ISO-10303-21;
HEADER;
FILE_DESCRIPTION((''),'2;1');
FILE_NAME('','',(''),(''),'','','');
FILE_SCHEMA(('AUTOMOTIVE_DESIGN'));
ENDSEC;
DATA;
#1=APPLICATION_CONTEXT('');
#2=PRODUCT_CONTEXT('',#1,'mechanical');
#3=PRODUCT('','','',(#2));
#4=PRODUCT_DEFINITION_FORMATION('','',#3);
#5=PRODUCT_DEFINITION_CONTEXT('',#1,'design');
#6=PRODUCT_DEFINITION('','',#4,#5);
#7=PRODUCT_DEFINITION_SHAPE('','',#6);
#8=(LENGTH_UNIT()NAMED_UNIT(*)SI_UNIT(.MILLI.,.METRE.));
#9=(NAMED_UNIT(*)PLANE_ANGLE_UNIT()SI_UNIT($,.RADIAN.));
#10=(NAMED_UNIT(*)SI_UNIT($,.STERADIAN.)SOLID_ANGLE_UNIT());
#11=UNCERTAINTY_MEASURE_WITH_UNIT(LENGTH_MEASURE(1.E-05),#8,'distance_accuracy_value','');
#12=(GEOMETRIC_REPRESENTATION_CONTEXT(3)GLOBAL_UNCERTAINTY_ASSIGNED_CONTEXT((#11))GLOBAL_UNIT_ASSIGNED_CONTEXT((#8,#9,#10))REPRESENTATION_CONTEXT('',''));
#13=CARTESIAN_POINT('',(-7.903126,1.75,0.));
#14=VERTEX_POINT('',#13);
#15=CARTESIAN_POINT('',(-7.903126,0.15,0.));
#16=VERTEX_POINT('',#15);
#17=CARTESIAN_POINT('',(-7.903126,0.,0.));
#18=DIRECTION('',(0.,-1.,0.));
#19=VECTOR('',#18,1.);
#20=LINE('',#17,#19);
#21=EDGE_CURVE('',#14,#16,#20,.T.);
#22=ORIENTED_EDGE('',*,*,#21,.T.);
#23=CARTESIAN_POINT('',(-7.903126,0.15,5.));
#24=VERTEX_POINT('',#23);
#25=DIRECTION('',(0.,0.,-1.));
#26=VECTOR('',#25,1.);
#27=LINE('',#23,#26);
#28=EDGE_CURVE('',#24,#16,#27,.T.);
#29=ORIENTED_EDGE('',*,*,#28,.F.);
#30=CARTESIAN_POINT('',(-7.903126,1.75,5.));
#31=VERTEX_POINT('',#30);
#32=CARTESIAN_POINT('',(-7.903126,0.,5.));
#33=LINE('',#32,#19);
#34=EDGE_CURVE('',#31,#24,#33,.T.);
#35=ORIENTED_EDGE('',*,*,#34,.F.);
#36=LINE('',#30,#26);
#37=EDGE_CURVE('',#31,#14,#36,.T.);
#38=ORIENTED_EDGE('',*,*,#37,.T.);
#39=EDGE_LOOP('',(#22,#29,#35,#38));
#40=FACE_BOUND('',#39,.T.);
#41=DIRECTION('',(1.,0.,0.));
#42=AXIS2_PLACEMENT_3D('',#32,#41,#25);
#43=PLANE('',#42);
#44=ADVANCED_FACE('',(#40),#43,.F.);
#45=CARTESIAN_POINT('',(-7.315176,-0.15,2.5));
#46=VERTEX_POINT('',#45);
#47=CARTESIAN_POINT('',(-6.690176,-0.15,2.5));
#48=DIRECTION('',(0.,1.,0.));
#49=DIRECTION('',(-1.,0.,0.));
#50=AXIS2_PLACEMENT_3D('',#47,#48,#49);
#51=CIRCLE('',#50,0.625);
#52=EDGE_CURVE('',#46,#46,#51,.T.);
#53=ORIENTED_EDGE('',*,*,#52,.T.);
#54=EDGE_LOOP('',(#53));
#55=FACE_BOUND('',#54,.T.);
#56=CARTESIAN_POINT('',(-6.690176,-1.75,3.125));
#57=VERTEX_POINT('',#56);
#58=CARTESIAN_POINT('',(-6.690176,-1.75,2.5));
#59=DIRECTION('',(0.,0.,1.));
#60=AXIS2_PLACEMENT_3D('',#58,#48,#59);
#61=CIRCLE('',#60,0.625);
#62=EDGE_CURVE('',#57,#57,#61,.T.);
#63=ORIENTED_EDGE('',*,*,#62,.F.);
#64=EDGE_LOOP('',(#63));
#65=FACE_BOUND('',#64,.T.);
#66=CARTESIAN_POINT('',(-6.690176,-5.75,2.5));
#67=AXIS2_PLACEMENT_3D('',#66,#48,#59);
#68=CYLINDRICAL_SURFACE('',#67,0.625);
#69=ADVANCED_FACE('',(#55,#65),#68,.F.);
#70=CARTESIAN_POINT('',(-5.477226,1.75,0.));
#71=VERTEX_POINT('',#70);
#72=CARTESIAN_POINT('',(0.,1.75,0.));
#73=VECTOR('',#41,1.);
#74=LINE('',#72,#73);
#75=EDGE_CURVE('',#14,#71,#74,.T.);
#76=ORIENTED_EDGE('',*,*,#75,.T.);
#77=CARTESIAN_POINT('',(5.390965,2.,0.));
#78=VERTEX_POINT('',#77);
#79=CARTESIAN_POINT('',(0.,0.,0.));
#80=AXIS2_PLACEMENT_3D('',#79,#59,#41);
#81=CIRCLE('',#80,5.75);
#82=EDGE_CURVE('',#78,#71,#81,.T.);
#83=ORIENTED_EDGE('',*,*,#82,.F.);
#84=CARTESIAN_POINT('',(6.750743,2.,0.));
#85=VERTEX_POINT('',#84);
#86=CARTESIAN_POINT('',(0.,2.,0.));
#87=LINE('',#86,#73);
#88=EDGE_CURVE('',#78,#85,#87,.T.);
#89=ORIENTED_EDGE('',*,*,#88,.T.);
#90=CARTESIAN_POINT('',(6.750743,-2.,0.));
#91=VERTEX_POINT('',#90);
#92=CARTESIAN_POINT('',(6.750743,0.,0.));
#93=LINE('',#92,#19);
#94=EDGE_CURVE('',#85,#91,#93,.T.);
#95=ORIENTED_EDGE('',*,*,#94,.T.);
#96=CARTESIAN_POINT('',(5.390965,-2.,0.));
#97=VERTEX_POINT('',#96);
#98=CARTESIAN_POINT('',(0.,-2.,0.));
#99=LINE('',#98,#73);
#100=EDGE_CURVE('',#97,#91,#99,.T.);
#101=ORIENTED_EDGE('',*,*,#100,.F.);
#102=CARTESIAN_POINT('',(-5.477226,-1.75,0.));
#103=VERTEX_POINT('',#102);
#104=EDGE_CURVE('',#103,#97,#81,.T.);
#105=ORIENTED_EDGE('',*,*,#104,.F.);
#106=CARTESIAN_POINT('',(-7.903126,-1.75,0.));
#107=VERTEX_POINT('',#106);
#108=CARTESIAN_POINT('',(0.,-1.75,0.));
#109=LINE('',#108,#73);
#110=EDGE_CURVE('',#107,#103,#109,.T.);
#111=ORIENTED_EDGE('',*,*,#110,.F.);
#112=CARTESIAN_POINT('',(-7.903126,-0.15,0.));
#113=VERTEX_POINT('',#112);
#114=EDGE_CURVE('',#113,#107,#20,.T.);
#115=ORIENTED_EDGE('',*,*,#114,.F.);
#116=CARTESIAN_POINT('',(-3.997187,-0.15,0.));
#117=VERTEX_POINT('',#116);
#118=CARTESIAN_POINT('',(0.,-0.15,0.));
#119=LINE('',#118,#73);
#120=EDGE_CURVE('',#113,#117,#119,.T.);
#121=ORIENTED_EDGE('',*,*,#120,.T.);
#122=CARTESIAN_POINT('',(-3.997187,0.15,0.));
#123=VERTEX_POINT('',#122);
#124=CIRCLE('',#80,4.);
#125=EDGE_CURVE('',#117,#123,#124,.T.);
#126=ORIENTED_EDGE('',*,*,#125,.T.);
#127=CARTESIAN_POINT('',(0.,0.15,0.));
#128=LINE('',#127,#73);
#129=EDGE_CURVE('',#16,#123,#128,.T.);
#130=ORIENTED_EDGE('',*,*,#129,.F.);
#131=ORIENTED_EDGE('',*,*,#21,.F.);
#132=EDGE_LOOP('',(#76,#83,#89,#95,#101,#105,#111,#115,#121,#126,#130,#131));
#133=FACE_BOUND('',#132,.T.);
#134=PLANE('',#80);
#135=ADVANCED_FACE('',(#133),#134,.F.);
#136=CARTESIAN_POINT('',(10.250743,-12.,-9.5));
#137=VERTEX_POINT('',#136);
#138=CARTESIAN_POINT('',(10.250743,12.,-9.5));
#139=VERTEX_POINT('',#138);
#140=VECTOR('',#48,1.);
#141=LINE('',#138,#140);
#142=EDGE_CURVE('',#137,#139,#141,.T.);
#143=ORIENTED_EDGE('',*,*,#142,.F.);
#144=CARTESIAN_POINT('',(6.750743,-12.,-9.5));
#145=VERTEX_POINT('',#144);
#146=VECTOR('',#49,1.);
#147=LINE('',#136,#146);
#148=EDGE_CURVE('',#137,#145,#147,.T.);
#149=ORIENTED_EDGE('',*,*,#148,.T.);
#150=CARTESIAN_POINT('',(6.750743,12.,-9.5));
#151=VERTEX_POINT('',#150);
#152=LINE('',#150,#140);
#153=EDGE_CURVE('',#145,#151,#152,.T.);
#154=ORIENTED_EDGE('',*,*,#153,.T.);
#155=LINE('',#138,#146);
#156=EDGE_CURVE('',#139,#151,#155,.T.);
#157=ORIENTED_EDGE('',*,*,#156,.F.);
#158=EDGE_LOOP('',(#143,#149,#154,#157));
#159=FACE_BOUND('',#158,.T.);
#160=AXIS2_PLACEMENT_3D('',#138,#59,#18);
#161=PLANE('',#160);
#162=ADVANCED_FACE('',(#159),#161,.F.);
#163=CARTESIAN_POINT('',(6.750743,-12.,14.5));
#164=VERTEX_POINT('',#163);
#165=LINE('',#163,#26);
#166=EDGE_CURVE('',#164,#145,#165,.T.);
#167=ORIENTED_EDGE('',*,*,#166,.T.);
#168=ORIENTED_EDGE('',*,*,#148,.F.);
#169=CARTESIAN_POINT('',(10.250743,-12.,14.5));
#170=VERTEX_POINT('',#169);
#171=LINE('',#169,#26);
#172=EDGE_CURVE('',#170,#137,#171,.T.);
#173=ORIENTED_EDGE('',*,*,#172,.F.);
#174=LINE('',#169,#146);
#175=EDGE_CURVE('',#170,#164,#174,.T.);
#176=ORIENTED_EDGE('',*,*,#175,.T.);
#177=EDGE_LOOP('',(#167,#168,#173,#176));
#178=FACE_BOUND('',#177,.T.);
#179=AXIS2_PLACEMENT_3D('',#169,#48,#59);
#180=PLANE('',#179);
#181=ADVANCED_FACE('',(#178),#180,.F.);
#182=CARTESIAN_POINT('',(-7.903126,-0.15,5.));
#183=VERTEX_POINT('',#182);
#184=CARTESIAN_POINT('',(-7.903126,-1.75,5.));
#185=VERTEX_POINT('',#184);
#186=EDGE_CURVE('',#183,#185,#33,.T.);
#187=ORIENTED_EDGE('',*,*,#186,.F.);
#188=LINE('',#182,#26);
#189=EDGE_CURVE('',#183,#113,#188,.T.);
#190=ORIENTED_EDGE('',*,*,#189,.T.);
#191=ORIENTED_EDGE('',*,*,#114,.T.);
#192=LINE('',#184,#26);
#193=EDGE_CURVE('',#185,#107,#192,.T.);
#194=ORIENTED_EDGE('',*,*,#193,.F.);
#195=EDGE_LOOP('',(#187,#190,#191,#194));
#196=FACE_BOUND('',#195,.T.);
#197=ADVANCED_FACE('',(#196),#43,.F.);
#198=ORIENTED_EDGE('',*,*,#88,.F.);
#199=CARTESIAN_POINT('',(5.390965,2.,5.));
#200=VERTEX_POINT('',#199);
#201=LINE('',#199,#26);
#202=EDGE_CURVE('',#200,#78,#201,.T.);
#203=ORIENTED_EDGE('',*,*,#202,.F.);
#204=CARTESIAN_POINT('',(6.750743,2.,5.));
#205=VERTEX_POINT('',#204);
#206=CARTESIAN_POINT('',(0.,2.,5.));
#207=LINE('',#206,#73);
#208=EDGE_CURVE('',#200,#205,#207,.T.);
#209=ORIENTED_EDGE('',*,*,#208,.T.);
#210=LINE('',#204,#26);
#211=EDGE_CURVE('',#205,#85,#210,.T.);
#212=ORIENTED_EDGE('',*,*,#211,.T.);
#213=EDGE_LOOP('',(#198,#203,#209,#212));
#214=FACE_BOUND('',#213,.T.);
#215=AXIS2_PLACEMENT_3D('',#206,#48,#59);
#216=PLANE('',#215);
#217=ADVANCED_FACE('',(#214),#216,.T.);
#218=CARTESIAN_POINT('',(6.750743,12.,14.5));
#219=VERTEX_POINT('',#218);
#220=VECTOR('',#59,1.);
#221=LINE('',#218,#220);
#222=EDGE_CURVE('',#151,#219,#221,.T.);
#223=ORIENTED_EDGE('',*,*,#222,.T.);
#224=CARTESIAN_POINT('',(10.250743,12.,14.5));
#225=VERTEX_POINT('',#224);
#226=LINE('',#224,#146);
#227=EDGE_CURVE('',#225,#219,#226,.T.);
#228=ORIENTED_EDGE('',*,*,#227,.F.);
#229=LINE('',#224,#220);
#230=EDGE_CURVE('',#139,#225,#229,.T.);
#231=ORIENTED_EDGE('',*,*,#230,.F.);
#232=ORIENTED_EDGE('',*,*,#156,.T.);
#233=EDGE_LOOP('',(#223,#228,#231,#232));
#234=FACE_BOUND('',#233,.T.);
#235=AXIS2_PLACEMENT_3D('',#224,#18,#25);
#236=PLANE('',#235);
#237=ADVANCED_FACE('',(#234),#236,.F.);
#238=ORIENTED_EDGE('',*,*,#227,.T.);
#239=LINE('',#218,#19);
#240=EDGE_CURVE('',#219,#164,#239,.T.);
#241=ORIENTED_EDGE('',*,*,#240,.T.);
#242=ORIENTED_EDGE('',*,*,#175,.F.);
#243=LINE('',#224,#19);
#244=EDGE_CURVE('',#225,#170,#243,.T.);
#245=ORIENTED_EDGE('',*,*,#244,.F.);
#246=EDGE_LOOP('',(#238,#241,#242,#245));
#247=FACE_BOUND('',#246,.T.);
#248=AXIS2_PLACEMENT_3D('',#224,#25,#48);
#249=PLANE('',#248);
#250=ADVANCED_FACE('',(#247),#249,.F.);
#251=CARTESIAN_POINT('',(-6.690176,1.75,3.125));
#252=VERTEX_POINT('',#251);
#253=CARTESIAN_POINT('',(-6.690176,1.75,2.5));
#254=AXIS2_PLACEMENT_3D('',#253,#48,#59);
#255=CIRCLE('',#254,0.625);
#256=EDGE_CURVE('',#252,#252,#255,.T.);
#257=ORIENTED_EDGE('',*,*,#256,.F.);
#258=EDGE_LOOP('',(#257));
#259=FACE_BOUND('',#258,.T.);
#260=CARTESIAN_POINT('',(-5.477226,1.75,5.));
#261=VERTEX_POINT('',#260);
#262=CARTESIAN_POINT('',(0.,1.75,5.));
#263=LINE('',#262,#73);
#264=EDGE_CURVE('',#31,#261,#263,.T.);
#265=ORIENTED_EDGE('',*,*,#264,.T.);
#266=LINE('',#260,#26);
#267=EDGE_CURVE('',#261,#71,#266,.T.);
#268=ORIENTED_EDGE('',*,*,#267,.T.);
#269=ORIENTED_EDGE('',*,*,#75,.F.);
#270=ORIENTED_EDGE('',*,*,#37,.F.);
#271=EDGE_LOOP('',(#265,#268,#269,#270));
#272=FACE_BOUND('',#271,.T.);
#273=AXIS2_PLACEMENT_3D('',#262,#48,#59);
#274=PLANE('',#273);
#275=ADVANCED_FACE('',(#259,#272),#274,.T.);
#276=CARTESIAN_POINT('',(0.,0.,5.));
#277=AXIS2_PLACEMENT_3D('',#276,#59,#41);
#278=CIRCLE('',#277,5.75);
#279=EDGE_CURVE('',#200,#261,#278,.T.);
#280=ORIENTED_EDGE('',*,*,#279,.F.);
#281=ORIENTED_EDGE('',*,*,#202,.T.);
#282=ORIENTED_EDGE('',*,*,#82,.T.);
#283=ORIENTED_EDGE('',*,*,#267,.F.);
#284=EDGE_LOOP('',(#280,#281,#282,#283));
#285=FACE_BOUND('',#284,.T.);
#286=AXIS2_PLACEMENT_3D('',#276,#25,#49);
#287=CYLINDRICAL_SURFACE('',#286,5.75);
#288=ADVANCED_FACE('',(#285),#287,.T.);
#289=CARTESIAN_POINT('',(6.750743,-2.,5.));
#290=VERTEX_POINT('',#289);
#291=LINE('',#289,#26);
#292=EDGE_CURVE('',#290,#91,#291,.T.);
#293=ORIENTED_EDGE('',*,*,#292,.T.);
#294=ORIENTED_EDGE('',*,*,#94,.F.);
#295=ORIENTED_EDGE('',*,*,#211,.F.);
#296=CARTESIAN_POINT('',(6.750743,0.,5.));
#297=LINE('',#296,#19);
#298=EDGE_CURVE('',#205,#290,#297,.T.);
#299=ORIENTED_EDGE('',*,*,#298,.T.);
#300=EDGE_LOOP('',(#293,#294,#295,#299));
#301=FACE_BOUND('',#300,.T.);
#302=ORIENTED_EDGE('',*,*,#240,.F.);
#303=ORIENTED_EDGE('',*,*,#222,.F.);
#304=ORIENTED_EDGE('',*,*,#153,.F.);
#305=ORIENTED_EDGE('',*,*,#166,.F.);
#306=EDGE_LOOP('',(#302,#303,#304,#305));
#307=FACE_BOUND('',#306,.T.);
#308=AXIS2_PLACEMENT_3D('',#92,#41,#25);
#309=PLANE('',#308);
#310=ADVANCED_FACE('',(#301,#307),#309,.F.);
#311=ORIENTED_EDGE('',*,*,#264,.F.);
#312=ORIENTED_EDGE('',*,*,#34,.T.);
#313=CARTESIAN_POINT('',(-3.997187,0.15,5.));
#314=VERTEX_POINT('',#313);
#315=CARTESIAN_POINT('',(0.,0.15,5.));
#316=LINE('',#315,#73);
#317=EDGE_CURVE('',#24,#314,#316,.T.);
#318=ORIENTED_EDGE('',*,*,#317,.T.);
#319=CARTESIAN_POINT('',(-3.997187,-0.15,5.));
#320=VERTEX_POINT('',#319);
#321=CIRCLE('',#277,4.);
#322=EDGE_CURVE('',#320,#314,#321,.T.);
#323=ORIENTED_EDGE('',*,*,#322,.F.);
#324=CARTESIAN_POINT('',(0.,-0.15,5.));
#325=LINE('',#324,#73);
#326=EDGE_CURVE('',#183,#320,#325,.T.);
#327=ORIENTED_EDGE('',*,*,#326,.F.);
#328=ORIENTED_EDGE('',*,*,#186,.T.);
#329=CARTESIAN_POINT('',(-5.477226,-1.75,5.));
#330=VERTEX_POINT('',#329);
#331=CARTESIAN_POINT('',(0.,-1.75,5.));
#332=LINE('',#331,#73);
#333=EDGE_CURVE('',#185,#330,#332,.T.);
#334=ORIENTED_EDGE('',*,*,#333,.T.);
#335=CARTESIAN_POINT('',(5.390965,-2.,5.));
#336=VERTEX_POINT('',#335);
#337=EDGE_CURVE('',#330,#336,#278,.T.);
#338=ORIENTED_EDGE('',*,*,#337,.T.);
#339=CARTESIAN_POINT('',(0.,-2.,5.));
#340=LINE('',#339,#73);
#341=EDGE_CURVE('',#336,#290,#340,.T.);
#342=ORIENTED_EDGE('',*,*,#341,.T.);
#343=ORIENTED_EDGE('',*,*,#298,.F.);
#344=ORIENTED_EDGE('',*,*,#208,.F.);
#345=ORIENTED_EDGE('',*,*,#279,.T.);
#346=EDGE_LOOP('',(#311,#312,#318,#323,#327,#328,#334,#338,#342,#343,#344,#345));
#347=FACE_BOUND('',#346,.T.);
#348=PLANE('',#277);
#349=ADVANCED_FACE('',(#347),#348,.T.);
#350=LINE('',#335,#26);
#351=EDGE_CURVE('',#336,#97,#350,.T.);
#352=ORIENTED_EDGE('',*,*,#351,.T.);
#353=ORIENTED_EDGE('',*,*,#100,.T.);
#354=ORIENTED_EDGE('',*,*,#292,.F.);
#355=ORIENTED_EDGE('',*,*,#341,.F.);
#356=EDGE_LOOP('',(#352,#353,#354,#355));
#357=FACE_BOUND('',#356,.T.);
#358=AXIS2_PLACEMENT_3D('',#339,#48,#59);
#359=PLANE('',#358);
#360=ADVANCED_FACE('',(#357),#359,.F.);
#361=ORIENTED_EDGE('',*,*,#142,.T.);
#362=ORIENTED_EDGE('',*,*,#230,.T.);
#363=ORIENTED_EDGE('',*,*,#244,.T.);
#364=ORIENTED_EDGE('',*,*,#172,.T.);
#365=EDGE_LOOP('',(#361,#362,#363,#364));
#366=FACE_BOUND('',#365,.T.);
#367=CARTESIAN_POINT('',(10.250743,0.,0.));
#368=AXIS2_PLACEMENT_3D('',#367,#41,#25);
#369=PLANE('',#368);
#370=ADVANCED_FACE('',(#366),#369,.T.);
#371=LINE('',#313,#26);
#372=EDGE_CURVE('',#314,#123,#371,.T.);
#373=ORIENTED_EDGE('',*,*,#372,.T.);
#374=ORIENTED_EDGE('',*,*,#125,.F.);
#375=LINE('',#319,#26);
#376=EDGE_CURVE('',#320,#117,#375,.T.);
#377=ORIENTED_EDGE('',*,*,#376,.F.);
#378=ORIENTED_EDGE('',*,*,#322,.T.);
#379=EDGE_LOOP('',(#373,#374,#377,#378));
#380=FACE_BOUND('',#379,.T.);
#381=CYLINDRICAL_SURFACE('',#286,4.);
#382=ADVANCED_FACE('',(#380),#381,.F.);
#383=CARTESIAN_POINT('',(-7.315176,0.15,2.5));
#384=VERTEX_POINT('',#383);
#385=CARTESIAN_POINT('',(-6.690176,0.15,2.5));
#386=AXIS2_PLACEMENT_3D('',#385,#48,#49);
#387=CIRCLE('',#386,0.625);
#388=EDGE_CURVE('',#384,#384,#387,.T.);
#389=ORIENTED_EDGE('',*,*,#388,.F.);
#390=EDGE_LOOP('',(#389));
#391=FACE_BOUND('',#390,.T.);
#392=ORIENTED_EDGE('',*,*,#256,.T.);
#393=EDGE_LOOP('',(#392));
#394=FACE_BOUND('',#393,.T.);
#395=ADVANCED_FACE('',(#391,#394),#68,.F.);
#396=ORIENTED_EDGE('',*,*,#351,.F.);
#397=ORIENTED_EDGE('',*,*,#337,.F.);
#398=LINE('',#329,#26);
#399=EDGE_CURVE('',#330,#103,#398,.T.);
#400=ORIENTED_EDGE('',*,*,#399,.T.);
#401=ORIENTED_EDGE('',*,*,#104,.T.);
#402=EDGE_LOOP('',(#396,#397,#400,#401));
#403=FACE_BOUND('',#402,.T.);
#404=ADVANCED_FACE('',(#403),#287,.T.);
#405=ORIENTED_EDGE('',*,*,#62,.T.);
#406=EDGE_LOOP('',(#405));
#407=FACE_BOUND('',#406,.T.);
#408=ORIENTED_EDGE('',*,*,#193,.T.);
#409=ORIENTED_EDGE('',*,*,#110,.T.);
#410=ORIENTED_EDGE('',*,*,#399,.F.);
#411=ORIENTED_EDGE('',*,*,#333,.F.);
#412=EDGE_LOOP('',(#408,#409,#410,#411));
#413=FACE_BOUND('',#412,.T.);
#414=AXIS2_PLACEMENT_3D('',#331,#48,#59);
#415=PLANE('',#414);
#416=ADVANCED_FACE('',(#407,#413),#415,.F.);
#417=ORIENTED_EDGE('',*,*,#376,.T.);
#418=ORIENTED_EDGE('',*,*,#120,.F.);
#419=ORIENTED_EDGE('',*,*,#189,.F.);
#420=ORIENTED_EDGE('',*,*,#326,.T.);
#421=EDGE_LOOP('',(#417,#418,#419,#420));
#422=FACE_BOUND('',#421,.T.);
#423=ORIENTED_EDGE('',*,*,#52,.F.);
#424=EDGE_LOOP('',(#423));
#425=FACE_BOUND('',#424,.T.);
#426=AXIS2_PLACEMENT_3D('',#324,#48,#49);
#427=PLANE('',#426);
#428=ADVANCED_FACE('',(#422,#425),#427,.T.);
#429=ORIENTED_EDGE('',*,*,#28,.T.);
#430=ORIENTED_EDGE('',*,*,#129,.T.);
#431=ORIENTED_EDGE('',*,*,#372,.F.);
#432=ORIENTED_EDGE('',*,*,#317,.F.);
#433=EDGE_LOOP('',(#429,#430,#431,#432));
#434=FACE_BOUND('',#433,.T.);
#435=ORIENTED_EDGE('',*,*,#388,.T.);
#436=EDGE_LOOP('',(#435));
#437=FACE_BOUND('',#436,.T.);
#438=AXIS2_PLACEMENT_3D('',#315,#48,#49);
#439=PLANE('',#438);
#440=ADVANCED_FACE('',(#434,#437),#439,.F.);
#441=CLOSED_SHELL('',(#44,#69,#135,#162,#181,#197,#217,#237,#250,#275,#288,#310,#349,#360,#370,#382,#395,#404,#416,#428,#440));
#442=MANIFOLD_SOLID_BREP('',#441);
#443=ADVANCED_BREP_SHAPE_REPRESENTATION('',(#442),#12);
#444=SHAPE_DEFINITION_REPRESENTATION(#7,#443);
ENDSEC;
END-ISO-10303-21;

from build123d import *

# Parameters (mm, degrees)
SALIENTE_EXTRUIR3_DEPTH    = 5
CORTAR_EXTRUIR2_DEPTH      = 11.978246956
CORTAR_EXTRUIR2_DEPTH_BACK = 11.978246956
CROQUIS5_R                 = 0.625
CROQUIS7_W                 = 24
CROQUIS7_H                 = 24
SALIENTE_EXTRUIR5_DEPTH    = 3.5


with BuildPart() as part:
    # Croquis1 → Saliente-Extruir3 (new body)
    with BuildSketch(Plane.XY):
        with BuildLine():
            ThreePointArc((5.390964663, 2), (-0.132231752, 5.748479344), (-5.477225575, 1.75))
            Line((-5.477225575, 1.75), (-3.596873642, 1.75))
            ThreePointArc((-3.596873642, 1.75), (0.897915762, 3.897915762), (4, 0))
            ThreePointArc((4, 0), (0.897915762, -3.897915762), (-3.596873642, -1.75))
            Line((-3.596873642, -1.75), (-5.477225575, -1.75))
            ThreePointArc((-5.477225575, -1.75), (-0.132231752, -5.748479344), (5.390964663, -2))
            Line((5.390964663, -2), (4.749257399, -2))
            Line((4.749257399, -2), (4.749257399, 2))
            Line((4.749257399, 2), (5.390964663, 2))
        make_face()
        with BuildLine():
            Line((-5.748043145, -0.15), (-7.903126358, -0.15))
            Line((-7.903126358, -0.15), (-7.903126358, -1.75))
            Line((-7.903126358, -1.75), (-5.477225575, -1.75))
            ThreePointArc((-5.477225575, -1.75), (-5.66936191, -0.959601761), (-5.748043145, -0.15))
        make_face()
        with BuildLine():
            Line((-5.477225575, 1.75), (-7.903126358, 1.75))
            Line((-7.903126358, 1.75), (-7.903126358, 0.15))
            Line((-7.903126358, 0.15), (-5.748043145, 0.15))
            ThreePointArc((-5.748043145, 0.15), (-5.66936191, 0.959601761), (-5.477225575, 1.75))
        make_face()
        with BuildLine():
            Line((-3.596873642, 1.75), (-5.477225575, 1.75))
            ThreePointArc((-5.477225575, 1.75), (-5.66936191, 0.959601761), (-5.748043145, 0.15))
            Line((-5.748043145, 0.15), (-3.997186511, 0.15))
            ThreePointArc((-3.997186511, 0.15), (-3.880391398, 0.970856631), (-3.596873642, 1.75))
        make_face()
        with BuildLine():
            Line((-3.997186511, -0.15), (-5.748043145, -0.15))
            ThreePointArc((-5.748043145, -0.15), (-5.66936191, -0.959601761), (-5.477225575, -1.75))
            Line((-5.477225575, -1.75), (-3.596873642, -1.75))
            ThreePointArc((-3.596873642, -1.75), (-3.880391398, -0.970856631), (-3.997186511, -0.15))
        make_face()
        with BuildLine():
            Line((6.750742601, 2), (5.390964663, 2))
            ThreePointArc((5.390964663, 2), (5.659529433, 1.015985528), (5.75, 0))
            ThreePointArc((5.75, 0), (5.659529433, -1.015985528), (5.390964663, -2))
            Line((5.390964663, -2), (6.750742601, -2))
            Line((6.750742601, -2), (6.750742601, 2))
        make_face()
        with BuildLine():
            ThreePointArc((5.75, 0), (5.659529433, 1.015985528), (5.390964663, 2))
            Line((5.390964663, 2), (4.749257399, 2))
            Line((4.749257399, 2), (4.749257399, -2))
            Line((4.749257399, -2), (5.390964663, -2))
            ThreePointArc((5.390964663, -2), (5.659529433, -1.015985528), (5.75, 0))
        make_face()
    extrude(amount=SALIENTE_EXTRUIR3_DEPTH)

    # Croquis5 → Cortar-Extruir2 (cut, two sides: drawn at the far end of the back side and taken through both)
    with BuildSketch(Plane(origin=(0, 0, 0), x_dir=(1, 0, 0), z_dir=(0, 1, 0)).offset(-CORTAR_EXTRUIR2_DEPTH_BACK)):
        with Locations(Location((-6.690175966, -2.5, 0), (0, 0, 270))):
            Circle(CROQUIS5_R)
    extrude(amount=CORTAR_EXTRUIR2_DEPTH + CORTAR_EXTRUIR2_DEPTH_BACK, mode=Mode.SUBTRACT)

    # Croquis7 → Saliente-Extruir5 (add)
    with BuildSketch(Plane(origin=(6.750742601, 0, 0), x_dir=(0, 0, -1), z_dir=(1, 0, 0))):
        with Locations((-2.5, 0)):
            Rectangle(CROQUIS7_W, CROQUIS7_H)
    extrude(amount=SALIENTE_EXTRUIR5_DEPTH)


solid = part.part
